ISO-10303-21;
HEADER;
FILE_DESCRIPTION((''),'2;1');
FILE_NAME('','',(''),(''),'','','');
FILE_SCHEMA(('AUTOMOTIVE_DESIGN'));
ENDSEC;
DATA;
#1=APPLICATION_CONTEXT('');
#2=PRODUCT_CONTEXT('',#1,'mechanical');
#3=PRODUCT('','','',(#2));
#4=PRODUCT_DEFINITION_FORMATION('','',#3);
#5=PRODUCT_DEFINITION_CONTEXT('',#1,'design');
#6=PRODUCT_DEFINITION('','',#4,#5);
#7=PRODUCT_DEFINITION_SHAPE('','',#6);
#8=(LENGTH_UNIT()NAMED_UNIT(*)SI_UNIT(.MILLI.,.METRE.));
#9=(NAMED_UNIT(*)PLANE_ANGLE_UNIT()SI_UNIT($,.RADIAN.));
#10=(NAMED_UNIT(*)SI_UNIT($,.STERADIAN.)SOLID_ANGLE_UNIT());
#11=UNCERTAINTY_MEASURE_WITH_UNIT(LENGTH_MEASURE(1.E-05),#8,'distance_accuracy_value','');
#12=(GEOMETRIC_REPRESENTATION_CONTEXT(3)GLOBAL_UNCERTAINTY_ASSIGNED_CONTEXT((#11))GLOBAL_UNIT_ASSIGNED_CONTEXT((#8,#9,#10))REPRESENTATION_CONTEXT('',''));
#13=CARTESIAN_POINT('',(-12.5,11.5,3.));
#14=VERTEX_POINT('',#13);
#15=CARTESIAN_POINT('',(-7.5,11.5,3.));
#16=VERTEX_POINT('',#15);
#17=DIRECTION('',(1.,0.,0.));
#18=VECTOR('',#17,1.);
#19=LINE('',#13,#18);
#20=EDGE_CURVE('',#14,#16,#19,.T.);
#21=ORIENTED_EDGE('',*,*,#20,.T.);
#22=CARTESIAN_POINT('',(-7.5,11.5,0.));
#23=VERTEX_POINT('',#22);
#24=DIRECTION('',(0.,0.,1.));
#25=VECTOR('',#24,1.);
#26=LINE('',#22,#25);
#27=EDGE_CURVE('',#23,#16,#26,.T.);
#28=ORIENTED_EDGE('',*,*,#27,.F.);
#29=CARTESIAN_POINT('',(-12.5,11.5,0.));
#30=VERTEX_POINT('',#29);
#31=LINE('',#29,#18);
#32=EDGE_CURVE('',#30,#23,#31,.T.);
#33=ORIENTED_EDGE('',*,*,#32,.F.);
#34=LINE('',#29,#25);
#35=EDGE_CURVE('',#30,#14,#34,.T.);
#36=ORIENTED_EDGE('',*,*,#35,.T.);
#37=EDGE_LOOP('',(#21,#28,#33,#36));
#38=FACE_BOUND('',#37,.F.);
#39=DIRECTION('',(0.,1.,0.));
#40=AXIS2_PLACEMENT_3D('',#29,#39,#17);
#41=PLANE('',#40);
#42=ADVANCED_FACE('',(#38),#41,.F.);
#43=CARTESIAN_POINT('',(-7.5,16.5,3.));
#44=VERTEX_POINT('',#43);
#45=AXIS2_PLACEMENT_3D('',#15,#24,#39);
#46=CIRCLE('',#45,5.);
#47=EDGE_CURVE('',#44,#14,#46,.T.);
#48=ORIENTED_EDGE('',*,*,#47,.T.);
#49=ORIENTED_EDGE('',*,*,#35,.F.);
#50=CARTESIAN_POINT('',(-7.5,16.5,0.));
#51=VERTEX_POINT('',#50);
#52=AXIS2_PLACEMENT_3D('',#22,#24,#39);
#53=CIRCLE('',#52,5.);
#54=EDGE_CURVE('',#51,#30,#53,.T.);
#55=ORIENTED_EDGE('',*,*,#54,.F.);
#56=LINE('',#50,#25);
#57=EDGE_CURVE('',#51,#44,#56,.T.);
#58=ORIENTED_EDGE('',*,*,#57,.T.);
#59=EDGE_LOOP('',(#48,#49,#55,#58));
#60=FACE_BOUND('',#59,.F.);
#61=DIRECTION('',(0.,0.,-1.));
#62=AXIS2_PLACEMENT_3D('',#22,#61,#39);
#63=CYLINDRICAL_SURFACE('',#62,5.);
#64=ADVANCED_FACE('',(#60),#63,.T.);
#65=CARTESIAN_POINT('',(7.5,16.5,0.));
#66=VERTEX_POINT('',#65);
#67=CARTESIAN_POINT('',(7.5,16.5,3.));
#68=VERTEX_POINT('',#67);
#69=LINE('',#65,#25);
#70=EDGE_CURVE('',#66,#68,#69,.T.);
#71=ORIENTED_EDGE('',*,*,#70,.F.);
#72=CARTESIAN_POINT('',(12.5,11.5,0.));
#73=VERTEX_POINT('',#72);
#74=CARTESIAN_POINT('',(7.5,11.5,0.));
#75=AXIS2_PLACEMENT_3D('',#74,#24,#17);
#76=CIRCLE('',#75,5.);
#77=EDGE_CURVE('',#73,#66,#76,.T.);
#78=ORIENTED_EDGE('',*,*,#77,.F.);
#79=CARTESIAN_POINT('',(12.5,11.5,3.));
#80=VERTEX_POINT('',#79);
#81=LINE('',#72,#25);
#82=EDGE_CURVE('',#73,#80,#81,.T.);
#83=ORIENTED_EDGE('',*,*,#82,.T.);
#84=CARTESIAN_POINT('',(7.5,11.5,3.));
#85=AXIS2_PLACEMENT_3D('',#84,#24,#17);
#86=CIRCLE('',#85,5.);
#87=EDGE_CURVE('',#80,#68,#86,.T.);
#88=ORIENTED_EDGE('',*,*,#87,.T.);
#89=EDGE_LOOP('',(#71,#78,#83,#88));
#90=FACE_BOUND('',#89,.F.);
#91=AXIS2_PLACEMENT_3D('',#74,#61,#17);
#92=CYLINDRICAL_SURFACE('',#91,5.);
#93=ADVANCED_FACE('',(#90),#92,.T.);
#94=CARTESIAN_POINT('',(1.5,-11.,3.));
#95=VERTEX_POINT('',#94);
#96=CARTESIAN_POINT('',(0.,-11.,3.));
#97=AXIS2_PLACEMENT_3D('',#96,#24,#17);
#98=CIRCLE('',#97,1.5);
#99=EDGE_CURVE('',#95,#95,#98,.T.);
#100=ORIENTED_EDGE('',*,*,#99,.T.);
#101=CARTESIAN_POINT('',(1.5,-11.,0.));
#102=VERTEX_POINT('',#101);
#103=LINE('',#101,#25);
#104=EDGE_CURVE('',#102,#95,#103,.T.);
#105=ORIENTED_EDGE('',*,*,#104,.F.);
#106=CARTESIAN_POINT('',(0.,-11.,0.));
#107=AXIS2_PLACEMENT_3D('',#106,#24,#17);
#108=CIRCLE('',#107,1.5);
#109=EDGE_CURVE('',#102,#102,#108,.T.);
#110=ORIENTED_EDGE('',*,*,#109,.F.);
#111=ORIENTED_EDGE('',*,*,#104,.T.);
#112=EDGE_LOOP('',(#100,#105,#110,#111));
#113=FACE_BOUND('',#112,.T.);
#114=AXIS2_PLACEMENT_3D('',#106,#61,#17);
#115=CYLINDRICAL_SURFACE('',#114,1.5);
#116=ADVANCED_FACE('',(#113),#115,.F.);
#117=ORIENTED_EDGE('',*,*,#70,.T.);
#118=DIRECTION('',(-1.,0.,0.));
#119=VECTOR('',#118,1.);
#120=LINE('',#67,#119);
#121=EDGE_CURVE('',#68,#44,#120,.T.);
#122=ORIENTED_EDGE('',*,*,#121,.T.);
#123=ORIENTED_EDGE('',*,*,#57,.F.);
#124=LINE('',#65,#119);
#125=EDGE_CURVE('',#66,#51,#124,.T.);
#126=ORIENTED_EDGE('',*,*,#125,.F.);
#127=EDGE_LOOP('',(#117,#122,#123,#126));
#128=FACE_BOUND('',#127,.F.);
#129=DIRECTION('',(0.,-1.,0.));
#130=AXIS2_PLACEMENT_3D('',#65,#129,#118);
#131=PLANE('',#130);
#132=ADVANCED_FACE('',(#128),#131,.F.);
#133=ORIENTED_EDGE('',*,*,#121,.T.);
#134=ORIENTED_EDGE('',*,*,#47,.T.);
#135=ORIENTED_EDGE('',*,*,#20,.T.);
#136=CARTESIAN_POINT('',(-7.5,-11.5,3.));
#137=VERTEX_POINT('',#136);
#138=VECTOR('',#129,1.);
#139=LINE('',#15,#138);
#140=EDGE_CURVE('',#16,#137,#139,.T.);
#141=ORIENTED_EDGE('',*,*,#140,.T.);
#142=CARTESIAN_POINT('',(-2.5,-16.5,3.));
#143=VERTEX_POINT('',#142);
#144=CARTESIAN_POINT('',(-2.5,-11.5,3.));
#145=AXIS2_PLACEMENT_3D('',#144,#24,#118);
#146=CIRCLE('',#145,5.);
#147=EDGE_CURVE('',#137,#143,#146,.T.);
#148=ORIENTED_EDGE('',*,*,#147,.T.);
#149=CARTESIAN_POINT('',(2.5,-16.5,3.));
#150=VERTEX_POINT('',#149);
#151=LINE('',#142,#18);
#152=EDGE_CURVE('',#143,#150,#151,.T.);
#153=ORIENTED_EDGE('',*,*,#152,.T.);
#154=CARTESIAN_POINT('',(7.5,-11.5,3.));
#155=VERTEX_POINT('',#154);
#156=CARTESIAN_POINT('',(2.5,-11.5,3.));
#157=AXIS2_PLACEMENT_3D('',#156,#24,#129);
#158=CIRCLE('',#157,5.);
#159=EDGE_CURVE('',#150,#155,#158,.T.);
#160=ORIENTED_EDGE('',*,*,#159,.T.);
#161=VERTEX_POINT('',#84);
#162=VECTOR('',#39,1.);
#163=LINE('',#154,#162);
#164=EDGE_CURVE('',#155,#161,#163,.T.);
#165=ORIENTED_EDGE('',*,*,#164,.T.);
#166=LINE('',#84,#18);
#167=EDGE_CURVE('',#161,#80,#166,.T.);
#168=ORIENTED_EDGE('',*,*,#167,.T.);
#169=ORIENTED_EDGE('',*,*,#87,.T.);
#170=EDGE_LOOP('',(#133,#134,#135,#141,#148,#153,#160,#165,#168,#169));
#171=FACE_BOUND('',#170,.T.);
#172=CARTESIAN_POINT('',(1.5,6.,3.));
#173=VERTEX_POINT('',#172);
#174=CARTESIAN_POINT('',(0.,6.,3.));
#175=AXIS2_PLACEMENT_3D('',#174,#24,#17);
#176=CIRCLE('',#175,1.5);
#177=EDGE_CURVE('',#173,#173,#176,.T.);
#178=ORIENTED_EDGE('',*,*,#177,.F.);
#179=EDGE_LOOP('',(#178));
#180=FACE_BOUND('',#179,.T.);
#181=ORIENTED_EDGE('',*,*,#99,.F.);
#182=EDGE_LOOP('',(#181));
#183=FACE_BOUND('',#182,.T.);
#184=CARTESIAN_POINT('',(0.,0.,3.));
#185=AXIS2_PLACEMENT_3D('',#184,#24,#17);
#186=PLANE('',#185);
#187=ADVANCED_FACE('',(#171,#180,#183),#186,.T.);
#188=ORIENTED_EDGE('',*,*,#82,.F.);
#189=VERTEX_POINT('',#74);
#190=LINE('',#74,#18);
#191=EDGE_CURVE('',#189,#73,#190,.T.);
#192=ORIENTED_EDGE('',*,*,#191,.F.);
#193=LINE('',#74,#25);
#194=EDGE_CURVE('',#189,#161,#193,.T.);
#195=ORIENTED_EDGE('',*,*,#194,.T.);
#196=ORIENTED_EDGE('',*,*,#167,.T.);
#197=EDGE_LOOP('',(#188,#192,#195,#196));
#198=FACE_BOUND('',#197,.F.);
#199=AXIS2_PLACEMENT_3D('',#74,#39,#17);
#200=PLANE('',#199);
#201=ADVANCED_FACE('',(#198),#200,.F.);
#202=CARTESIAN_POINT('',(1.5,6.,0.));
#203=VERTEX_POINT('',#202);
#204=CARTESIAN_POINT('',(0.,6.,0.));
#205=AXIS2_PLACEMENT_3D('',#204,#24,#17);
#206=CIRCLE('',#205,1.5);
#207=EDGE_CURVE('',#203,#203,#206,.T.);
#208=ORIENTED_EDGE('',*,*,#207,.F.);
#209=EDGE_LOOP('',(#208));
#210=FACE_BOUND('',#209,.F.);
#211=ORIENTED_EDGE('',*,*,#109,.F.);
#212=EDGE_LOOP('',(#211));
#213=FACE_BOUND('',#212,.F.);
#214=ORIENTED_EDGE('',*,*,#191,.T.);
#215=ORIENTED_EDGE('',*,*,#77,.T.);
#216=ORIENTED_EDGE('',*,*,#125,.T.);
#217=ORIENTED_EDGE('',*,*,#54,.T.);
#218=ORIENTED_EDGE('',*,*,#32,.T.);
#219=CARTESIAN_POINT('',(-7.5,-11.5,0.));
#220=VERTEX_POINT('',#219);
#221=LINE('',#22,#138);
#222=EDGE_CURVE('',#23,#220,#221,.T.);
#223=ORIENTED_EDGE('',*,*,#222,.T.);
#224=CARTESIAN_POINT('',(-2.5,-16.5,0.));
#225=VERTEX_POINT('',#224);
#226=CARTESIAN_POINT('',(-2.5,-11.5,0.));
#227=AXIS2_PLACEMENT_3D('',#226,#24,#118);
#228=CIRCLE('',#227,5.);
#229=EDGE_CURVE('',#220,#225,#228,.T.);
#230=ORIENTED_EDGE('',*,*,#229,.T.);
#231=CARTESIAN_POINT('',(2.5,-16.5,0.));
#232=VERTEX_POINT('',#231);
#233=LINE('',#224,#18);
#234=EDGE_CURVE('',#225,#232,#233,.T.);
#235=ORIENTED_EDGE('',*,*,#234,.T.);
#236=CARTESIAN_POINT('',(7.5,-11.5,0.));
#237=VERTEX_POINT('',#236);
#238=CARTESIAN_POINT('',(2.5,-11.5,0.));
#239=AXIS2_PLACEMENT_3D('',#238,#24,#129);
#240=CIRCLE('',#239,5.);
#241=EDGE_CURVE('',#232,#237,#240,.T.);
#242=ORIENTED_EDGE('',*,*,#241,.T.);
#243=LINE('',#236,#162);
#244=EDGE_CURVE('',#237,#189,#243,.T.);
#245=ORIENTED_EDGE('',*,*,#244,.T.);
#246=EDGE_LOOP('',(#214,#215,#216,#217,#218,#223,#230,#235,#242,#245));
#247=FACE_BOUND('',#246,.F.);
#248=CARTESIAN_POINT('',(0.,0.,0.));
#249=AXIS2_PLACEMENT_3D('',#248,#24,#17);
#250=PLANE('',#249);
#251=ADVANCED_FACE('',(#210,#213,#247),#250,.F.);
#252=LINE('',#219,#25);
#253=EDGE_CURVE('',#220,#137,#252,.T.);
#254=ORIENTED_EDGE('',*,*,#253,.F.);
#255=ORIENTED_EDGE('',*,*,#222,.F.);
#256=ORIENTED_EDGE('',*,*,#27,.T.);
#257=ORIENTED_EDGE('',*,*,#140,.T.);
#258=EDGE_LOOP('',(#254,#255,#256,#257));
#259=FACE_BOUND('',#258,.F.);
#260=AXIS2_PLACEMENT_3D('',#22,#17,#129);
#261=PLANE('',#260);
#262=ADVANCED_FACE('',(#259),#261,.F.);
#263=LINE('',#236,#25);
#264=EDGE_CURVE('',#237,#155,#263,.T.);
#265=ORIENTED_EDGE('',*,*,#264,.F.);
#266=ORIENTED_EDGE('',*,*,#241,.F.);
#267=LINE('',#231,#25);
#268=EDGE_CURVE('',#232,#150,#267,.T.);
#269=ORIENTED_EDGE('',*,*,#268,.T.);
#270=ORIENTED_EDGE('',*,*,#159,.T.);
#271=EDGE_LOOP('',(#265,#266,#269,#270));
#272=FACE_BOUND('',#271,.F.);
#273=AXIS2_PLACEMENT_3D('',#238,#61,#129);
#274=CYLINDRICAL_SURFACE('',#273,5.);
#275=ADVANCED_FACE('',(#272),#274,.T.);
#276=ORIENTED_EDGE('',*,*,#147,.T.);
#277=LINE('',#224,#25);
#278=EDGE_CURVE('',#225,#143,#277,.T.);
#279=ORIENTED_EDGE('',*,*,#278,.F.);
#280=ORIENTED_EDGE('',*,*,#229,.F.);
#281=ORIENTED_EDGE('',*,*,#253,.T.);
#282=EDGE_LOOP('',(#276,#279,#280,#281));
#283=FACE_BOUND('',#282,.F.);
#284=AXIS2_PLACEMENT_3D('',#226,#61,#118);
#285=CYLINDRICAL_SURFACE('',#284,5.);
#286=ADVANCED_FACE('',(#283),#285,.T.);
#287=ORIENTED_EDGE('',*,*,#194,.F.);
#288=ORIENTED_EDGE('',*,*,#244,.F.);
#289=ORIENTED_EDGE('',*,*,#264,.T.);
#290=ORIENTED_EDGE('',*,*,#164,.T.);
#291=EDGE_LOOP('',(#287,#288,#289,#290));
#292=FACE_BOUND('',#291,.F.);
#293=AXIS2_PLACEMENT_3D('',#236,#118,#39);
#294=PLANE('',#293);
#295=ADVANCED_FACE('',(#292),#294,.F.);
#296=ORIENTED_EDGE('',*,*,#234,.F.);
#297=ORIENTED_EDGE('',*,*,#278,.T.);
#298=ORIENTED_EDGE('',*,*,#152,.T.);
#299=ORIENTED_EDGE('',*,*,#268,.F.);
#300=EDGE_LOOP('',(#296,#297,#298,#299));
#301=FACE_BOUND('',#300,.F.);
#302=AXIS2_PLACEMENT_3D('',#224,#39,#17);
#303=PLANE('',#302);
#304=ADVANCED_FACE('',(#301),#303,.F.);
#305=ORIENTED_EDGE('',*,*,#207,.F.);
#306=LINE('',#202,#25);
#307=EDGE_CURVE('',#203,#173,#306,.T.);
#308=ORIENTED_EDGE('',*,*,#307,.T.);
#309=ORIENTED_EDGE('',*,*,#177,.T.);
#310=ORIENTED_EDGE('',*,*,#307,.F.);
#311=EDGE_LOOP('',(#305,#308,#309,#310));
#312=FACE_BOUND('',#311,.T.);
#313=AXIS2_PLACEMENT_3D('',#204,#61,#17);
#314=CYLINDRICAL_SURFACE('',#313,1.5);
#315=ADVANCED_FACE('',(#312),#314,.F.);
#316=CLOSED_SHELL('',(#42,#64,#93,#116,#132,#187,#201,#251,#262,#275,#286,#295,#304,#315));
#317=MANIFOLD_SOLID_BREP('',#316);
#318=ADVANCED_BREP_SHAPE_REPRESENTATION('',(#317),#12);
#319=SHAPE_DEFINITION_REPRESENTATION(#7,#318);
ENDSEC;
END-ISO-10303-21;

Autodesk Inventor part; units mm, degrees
ref_plane "YZ Plane" through (0, 0, 0) normal (1, 0, 0) x (0, 1, 0)
ref_plane "XZ Plane" through (0, 0, 0) normal (0, 1, 0) x (-1, 0, 0)
ref_plane "XY Plane" through (0, 0, 0) normal (0, 0, 1) x (1, 0, 0)
sketch "Boceto1" plane through (0, 0, 0) normal (0, 0, 1) x (1, 0, 0)
  point P0 (0, 0)
sketch "Boceto2" plane through (0, 0, 0) normal (0, 0, 1) x (1, 0, 0)
  line L0 (-12.5, 11.5) -> (-7.5, 11.5)
  circle A0 centre (0, 6) radius 1.5
  circle A1 centre (0, -11) radius 1.5
  line L1 (7.5, 11.5) -> (12.5, 11.5)
  arc A2 (12.5, 11.5) -> (7.5, 16.5) centre (7.5, 11.5) ccw
  line L2 (7.5, 16.5) -> (-7.5, 16.5)
  arc A3 (-7.5, 16.5) -> (-12.5, 11.5) centre (-7.5, 11.5) ccw
  line L3 (-7.5, 11.5) -> (-7.5, -11.5)
  arc A4 (-7.5, -11.5) -> (-2.5, -16.5) centre (-2.5, -11.5) ccw
  line L4 (-2.5, -16.5) -> (2.5, -16.5)
  arc A5 (2.5, -16.5) -> (7.5, -11.5) centre (2.5, -11.5) ccw
  line L5 (7.5, -11.5) -> (7.5, 11.5)
  point P0 (0, 0)
  point P1 (-2.5, -16.5)
  point P2 (7.5, -11.5)
extrude "Extrusión1" add sketch "Boceto2" along normal blind 3
properties part number "Motor_Support" material "MDF Tablero de fibras de densidad media"
